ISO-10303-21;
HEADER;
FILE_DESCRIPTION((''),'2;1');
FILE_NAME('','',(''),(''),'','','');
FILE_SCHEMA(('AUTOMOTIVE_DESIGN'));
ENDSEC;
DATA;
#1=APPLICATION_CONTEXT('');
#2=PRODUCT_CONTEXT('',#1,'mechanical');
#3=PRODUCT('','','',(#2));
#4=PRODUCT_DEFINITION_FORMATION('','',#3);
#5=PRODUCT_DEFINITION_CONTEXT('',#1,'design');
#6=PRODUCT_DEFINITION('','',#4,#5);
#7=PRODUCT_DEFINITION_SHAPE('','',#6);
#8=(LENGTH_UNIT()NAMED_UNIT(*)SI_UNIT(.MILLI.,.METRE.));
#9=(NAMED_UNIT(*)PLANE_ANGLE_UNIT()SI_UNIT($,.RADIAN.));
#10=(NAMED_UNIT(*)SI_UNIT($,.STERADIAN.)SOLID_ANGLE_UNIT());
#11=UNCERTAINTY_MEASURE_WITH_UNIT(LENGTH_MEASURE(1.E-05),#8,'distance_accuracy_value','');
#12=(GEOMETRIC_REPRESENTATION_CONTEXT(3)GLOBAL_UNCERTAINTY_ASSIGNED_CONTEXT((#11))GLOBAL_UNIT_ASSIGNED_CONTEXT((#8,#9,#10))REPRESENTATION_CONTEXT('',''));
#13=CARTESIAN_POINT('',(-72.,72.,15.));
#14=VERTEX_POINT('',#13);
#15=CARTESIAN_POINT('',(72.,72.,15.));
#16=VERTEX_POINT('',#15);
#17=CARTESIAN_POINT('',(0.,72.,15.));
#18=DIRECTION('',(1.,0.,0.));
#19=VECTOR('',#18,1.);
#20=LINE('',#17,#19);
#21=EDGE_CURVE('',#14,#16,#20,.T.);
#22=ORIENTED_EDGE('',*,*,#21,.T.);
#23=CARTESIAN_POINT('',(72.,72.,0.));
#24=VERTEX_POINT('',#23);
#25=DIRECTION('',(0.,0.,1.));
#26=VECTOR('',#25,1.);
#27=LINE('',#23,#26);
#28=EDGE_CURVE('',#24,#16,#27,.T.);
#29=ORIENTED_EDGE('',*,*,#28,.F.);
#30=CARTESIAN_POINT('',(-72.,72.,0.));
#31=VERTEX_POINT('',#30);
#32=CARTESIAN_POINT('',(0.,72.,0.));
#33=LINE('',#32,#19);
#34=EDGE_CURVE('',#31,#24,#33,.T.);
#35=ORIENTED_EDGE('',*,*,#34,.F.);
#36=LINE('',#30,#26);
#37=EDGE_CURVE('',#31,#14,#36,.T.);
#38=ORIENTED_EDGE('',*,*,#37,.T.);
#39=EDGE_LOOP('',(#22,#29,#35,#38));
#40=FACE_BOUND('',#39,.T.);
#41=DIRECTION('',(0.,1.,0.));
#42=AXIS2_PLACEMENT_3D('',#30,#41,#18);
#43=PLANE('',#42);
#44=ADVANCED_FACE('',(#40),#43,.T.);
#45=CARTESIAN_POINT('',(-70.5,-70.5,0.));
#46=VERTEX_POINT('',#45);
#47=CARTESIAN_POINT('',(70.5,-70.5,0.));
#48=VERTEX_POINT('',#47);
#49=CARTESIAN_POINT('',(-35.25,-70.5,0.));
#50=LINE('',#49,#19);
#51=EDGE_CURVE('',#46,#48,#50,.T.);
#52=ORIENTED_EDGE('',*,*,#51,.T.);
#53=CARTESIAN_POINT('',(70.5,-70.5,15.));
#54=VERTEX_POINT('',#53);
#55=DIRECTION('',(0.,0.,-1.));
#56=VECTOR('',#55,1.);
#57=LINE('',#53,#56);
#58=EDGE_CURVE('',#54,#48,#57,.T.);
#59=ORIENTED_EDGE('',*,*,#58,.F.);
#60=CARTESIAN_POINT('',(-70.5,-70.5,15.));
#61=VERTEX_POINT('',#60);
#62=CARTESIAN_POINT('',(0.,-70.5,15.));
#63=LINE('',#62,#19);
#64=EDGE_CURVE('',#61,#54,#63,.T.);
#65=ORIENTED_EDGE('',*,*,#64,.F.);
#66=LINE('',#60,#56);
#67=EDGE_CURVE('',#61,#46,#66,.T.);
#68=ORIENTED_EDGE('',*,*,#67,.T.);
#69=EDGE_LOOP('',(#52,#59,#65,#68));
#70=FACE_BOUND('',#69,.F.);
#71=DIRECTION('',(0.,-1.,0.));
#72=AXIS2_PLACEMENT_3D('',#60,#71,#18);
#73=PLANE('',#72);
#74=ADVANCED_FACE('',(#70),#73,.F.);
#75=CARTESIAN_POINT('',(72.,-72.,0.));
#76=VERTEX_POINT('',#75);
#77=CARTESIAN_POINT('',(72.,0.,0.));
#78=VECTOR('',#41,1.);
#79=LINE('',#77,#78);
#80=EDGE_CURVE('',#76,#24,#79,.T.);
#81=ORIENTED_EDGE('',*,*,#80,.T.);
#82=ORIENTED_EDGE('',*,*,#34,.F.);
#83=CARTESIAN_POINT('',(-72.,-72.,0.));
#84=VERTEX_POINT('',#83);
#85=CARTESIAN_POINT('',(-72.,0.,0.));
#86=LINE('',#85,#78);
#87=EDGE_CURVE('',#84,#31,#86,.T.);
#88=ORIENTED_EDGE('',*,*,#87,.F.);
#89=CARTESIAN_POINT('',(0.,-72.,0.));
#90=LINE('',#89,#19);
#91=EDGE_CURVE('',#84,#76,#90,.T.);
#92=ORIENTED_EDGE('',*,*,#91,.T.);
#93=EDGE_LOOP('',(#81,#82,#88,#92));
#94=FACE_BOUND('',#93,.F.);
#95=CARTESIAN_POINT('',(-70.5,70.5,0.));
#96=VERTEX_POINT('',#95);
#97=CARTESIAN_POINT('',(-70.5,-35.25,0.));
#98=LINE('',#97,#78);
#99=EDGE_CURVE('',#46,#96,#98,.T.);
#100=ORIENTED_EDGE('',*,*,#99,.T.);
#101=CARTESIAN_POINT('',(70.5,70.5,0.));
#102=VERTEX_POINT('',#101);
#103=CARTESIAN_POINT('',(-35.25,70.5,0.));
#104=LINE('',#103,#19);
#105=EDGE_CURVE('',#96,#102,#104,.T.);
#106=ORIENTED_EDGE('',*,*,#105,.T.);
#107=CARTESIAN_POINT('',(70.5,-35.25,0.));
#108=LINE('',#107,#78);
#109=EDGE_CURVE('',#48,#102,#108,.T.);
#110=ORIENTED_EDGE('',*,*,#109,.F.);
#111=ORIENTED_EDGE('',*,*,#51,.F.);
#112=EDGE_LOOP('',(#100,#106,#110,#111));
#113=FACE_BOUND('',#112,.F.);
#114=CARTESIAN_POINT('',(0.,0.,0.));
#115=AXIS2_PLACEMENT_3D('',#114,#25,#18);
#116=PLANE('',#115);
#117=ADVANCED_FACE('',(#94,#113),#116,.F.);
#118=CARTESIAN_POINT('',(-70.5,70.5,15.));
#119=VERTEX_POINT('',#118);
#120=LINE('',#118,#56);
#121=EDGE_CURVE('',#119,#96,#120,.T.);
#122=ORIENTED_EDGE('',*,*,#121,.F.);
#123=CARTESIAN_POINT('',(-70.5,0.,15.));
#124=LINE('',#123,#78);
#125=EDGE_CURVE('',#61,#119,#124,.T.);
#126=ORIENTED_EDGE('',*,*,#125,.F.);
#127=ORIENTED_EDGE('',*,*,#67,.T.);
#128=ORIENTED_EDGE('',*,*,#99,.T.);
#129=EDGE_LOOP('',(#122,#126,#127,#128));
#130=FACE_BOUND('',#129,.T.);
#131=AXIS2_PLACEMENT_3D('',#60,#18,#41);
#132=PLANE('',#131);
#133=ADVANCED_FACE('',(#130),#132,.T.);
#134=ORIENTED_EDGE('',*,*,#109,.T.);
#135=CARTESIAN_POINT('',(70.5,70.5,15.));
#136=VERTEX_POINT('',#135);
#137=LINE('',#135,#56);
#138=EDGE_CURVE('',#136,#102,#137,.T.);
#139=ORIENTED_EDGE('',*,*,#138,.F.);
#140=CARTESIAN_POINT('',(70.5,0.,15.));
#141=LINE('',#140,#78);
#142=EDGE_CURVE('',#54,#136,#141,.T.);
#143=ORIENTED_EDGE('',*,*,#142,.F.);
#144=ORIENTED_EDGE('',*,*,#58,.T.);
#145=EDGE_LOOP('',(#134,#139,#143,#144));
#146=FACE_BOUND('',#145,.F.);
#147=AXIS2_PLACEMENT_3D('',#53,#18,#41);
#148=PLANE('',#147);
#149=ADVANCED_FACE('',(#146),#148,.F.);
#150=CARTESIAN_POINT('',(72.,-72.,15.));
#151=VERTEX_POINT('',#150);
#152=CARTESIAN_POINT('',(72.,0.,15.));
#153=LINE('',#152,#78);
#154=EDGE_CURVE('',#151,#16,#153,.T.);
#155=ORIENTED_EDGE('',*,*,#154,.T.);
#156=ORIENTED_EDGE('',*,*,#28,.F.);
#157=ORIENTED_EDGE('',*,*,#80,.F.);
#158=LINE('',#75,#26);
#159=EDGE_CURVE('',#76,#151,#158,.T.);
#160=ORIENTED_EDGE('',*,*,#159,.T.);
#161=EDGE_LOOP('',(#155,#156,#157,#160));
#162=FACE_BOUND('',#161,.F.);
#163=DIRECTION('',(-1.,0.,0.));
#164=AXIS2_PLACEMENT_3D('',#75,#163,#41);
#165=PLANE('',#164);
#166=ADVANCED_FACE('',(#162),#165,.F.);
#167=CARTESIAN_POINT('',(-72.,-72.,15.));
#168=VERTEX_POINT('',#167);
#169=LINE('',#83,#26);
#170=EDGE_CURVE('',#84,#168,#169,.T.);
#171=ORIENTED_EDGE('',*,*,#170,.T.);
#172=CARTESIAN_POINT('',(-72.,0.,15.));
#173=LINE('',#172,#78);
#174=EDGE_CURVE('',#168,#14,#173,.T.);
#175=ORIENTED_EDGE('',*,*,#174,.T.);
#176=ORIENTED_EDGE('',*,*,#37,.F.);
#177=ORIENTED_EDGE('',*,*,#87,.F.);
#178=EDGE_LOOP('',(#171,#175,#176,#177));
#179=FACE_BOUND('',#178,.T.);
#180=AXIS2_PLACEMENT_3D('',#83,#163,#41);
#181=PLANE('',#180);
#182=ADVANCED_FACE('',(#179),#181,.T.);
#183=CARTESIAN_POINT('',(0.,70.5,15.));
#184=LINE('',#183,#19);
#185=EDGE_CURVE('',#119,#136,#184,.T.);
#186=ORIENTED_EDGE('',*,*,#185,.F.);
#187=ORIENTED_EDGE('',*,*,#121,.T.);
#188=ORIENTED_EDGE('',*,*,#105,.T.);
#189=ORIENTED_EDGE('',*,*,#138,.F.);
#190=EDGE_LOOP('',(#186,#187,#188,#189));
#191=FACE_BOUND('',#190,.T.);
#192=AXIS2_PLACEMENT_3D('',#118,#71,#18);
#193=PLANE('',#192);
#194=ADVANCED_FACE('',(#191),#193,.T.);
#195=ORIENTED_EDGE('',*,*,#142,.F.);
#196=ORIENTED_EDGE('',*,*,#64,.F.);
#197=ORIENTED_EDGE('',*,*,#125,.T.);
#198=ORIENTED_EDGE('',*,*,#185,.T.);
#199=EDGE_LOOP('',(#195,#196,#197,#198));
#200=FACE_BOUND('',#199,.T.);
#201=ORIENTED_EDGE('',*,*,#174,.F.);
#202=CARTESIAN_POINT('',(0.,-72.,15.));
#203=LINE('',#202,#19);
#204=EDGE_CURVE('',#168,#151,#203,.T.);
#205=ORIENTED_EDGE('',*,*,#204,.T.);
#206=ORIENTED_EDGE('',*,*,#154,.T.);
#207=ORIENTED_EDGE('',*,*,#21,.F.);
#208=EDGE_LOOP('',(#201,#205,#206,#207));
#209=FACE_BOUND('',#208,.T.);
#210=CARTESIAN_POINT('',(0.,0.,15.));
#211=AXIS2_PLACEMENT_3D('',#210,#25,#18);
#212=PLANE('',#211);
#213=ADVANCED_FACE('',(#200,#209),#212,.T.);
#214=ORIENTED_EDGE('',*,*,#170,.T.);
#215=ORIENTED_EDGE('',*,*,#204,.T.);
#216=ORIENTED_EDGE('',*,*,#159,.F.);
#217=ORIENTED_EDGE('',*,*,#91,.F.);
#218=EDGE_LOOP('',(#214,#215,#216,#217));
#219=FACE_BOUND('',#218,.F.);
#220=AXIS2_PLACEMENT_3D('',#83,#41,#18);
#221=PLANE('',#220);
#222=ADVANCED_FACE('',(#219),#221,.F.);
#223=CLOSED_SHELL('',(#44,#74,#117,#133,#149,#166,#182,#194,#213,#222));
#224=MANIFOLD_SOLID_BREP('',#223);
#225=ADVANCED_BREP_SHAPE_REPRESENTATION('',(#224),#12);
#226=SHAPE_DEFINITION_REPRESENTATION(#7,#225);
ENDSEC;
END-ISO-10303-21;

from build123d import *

# Parameters (mm, degrees)
SKETCH_W     = 144
SKETCH_H     = 144
PAD_DEPTH    = 15
SKETCH001_W  = 141
SKETCH001_H  = 141
POCKET_DEPTH = 15.001


with BuildPart() as part:
    # Sketch → Pad (new body)
    with BuildSketch(Plane.XY):
        Rectangle(SKETCH_W, SKETCH_H)
    extrude(amount=PAD_DEPTH)

    # Sketch001 (on Face6 of Pad) → Pocket (cut, through all)
    with BuildSketch(Plane.XY.offset(15)):
        Rectangle(SKETCH001_W, SKETCH001_H)
    extrude(amount=-POCKET_DEPTH, mode=Mode.SUBTRACT)


solid = part.part
